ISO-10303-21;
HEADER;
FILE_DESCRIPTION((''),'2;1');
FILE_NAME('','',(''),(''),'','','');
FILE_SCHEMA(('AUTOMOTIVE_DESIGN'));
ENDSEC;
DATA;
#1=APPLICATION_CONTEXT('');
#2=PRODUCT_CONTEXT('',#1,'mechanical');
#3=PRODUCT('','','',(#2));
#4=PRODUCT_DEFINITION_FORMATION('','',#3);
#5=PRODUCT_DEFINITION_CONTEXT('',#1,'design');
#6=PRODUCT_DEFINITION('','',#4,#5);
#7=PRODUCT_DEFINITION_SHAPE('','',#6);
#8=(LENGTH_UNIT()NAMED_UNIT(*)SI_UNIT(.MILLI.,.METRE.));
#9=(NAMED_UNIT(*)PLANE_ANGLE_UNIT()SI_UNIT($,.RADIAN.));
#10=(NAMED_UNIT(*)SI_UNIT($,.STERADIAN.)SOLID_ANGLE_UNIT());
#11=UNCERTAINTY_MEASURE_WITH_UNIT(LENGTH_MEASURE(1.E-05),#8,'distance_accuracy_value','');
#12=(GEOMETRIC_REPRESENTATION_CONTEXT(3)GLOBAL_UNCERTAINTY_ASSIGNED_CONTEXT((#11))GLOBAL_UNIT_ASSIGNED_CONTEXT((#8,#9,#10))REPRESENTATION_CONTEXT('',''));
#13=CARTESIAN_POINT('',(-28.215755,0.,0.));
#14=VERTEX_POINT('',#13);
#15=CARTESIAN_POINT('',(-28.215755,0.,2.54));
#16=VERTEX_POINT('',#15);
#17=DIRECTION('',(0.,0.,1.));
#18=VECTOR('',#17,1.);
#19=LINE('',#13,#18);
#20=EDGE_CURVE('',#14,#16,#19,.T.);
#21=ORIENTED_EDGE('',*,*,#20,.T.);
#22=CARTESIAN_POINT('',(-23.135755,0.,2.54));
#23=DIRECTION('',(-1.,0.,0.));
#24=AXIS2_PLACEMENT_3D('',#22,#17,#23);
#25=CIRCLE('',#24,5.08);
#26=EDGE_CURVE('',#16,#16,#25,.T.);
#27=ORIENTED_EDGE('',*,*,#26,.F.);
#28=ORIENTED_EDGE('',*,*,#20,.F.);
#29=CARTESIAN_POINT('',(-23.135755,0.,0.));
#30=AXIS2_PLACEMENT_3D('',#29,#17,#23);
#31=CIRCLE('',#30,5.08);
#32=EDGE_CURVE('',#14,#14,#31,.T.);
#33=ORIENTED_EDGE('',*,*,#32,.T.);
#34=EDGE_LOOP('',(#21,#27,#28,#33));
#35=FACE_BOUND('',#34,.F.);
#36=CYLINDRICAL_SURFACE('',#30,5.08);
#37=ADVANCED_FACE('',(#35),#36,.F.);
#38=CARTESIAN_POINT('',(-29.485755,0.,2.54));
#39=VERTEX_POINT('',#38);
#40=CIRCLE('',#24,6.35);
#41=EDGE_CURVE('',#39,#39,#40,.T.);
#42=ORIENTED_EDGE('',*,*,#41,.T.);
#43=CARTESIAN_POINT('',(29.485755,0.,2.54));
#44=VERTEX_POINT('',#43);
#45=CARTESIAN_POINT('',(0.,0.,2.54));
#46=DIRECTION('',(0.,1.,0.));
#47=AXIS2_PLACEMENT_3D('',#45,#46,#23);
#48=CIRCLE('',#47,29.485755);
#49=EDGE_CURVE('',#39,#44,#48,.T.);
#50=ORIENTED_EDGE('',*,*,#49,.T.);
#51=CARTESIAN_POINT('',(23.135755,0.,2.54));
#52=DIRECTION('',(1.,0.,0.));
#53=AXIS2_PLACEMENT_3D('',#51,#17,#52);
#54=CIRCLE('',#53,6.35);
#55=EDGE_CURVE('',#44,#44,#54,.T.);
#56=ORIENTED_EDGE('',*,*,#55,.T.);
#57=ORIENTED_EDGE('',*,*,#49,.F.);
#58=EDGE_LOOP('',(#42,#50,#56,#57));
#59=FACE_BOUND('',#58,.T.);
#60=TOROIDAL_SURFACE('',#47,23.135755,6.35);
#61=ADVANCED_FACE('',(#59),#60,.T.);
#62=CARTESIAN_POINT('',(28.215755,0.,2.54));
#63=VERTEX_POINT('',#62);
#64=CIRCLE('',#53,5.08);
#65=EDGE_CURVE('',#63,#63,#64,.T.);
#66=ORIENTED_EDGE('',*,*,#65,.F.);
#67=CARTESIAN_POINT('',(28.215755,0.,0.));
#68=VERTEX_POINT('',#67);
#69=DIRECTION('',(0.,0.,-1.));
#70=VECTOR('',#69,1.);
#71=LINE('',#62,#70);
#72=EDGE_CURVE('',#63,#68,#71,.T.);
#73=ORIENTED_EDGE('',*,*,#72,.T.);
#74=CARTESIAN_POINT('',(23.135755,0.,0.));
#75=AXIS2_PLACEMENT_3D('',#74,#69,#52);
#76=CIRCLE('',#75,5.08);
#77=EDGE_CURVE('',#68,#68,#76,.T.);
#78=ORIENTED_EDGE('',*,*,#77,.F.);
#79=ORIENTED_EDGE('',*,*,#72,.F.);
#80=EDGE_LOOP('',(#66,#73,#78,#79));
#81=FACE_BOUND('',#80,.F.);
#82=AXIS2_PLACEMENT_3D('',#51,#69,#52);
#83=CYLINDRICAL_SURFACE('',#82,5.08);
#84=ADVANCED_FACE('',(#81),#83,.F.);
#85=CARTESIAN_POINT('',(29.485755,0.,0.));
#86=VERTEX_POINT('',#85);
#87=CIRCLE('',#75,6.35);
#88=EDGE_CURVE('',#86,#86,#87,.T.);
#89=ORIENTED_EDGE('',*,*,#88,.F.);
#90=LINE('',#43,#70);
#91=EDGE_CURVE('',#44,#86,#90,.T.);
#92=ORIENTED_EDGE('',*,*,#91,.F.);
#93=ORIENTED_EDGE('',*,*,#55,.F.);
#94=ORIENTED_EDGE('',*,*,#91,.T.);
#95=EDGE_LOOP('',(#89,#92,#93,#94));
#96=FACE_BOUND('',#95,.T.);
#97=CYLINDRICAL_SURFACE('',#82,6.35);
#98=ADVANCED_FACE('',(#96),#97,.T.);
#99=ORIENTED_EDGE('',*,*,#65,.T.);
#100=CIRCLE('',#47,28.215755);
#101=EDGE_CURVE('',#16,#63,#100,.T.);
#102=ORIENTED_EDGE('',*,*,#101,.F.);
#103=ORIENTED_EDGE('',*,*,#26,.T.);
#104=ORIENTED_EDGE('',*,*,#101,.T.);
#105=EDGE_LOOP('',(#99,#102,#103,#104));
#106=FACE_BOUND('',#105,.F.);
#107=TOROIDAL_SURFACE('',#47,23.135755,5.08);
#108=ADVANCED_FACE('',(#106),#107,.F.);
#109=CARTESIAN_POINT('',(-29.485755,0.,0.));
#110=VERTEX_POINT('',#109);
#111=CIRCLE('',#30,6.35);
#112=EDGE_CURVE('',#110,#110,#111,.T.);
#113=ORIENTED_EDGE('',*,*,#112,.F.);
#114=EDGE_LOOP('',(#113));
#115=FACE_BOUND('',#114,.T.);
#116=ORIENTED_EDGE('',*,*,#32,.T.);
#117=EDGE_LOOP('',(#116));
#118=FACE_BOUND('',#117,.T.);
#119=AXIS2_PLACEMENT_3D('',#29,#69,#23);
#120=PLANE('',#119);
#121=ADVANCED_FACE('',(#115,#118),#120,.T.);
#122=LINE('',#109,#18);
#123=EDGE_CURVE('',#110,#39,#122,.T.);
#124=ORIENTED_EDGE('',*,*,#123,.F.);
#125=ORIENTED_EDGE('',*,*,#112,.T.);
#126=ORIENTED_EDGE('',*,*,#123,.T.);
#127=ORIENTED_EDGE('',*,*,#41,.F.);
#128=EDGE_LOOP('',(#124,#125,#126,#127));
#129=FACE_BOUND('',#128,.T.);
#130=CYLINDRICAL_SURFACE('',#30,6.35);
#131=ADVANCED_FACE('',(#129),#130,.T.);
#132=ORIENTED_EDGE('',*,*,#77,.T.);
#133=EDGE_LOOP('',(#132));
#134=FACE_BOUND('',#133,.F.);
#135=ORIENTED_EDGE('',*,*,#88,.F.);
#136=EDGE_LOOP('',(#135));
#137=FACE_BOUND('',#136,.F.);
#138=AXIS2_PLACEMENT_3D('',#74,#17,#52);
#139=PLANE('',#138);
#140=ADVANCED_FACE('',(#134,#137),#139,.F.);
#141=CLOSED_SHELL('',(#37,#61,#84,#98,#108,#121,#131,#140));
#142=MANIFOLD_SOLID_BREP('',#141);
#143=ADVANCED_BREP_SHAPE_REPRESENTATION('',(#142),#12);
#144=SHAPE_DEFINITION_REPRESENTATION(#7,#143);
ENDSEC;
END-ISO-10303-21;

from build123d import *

# Parameters (mm, degrees)
F1_R = 6.35
F3_T = -1.27


with BuildPart() as f2:
    # F2: sweep along a path in F0
    with BuildLine(Plane.XZ) as f2_path:
        Line((-23.1357552849, 0), (-23.1357552849, 2.54))
        ThreePointArc((-23.1357552849, 2.54), (0, 25.6757552849), (23.1357552849, 2.54))
        Line((23.1357552849, 2.54), (23.1357552849, 0))
    # F1 (on Top) → F2 (sweep)
    with BuildSketch(Plane.XY):
        with Locations((23.1357552849, 0)):
            Circle(F1_R)
    sweep(path=f2_path.line)

    # F3
    f3_openings = [f2.faces().sort_by_distance(p)[0] for p in [
        (-23.135755, 0, 0),
        (23.135755, 0, 0),
    ]]
    offset(amount=F3_T, openings=f3_openings)


solid = f2.part
